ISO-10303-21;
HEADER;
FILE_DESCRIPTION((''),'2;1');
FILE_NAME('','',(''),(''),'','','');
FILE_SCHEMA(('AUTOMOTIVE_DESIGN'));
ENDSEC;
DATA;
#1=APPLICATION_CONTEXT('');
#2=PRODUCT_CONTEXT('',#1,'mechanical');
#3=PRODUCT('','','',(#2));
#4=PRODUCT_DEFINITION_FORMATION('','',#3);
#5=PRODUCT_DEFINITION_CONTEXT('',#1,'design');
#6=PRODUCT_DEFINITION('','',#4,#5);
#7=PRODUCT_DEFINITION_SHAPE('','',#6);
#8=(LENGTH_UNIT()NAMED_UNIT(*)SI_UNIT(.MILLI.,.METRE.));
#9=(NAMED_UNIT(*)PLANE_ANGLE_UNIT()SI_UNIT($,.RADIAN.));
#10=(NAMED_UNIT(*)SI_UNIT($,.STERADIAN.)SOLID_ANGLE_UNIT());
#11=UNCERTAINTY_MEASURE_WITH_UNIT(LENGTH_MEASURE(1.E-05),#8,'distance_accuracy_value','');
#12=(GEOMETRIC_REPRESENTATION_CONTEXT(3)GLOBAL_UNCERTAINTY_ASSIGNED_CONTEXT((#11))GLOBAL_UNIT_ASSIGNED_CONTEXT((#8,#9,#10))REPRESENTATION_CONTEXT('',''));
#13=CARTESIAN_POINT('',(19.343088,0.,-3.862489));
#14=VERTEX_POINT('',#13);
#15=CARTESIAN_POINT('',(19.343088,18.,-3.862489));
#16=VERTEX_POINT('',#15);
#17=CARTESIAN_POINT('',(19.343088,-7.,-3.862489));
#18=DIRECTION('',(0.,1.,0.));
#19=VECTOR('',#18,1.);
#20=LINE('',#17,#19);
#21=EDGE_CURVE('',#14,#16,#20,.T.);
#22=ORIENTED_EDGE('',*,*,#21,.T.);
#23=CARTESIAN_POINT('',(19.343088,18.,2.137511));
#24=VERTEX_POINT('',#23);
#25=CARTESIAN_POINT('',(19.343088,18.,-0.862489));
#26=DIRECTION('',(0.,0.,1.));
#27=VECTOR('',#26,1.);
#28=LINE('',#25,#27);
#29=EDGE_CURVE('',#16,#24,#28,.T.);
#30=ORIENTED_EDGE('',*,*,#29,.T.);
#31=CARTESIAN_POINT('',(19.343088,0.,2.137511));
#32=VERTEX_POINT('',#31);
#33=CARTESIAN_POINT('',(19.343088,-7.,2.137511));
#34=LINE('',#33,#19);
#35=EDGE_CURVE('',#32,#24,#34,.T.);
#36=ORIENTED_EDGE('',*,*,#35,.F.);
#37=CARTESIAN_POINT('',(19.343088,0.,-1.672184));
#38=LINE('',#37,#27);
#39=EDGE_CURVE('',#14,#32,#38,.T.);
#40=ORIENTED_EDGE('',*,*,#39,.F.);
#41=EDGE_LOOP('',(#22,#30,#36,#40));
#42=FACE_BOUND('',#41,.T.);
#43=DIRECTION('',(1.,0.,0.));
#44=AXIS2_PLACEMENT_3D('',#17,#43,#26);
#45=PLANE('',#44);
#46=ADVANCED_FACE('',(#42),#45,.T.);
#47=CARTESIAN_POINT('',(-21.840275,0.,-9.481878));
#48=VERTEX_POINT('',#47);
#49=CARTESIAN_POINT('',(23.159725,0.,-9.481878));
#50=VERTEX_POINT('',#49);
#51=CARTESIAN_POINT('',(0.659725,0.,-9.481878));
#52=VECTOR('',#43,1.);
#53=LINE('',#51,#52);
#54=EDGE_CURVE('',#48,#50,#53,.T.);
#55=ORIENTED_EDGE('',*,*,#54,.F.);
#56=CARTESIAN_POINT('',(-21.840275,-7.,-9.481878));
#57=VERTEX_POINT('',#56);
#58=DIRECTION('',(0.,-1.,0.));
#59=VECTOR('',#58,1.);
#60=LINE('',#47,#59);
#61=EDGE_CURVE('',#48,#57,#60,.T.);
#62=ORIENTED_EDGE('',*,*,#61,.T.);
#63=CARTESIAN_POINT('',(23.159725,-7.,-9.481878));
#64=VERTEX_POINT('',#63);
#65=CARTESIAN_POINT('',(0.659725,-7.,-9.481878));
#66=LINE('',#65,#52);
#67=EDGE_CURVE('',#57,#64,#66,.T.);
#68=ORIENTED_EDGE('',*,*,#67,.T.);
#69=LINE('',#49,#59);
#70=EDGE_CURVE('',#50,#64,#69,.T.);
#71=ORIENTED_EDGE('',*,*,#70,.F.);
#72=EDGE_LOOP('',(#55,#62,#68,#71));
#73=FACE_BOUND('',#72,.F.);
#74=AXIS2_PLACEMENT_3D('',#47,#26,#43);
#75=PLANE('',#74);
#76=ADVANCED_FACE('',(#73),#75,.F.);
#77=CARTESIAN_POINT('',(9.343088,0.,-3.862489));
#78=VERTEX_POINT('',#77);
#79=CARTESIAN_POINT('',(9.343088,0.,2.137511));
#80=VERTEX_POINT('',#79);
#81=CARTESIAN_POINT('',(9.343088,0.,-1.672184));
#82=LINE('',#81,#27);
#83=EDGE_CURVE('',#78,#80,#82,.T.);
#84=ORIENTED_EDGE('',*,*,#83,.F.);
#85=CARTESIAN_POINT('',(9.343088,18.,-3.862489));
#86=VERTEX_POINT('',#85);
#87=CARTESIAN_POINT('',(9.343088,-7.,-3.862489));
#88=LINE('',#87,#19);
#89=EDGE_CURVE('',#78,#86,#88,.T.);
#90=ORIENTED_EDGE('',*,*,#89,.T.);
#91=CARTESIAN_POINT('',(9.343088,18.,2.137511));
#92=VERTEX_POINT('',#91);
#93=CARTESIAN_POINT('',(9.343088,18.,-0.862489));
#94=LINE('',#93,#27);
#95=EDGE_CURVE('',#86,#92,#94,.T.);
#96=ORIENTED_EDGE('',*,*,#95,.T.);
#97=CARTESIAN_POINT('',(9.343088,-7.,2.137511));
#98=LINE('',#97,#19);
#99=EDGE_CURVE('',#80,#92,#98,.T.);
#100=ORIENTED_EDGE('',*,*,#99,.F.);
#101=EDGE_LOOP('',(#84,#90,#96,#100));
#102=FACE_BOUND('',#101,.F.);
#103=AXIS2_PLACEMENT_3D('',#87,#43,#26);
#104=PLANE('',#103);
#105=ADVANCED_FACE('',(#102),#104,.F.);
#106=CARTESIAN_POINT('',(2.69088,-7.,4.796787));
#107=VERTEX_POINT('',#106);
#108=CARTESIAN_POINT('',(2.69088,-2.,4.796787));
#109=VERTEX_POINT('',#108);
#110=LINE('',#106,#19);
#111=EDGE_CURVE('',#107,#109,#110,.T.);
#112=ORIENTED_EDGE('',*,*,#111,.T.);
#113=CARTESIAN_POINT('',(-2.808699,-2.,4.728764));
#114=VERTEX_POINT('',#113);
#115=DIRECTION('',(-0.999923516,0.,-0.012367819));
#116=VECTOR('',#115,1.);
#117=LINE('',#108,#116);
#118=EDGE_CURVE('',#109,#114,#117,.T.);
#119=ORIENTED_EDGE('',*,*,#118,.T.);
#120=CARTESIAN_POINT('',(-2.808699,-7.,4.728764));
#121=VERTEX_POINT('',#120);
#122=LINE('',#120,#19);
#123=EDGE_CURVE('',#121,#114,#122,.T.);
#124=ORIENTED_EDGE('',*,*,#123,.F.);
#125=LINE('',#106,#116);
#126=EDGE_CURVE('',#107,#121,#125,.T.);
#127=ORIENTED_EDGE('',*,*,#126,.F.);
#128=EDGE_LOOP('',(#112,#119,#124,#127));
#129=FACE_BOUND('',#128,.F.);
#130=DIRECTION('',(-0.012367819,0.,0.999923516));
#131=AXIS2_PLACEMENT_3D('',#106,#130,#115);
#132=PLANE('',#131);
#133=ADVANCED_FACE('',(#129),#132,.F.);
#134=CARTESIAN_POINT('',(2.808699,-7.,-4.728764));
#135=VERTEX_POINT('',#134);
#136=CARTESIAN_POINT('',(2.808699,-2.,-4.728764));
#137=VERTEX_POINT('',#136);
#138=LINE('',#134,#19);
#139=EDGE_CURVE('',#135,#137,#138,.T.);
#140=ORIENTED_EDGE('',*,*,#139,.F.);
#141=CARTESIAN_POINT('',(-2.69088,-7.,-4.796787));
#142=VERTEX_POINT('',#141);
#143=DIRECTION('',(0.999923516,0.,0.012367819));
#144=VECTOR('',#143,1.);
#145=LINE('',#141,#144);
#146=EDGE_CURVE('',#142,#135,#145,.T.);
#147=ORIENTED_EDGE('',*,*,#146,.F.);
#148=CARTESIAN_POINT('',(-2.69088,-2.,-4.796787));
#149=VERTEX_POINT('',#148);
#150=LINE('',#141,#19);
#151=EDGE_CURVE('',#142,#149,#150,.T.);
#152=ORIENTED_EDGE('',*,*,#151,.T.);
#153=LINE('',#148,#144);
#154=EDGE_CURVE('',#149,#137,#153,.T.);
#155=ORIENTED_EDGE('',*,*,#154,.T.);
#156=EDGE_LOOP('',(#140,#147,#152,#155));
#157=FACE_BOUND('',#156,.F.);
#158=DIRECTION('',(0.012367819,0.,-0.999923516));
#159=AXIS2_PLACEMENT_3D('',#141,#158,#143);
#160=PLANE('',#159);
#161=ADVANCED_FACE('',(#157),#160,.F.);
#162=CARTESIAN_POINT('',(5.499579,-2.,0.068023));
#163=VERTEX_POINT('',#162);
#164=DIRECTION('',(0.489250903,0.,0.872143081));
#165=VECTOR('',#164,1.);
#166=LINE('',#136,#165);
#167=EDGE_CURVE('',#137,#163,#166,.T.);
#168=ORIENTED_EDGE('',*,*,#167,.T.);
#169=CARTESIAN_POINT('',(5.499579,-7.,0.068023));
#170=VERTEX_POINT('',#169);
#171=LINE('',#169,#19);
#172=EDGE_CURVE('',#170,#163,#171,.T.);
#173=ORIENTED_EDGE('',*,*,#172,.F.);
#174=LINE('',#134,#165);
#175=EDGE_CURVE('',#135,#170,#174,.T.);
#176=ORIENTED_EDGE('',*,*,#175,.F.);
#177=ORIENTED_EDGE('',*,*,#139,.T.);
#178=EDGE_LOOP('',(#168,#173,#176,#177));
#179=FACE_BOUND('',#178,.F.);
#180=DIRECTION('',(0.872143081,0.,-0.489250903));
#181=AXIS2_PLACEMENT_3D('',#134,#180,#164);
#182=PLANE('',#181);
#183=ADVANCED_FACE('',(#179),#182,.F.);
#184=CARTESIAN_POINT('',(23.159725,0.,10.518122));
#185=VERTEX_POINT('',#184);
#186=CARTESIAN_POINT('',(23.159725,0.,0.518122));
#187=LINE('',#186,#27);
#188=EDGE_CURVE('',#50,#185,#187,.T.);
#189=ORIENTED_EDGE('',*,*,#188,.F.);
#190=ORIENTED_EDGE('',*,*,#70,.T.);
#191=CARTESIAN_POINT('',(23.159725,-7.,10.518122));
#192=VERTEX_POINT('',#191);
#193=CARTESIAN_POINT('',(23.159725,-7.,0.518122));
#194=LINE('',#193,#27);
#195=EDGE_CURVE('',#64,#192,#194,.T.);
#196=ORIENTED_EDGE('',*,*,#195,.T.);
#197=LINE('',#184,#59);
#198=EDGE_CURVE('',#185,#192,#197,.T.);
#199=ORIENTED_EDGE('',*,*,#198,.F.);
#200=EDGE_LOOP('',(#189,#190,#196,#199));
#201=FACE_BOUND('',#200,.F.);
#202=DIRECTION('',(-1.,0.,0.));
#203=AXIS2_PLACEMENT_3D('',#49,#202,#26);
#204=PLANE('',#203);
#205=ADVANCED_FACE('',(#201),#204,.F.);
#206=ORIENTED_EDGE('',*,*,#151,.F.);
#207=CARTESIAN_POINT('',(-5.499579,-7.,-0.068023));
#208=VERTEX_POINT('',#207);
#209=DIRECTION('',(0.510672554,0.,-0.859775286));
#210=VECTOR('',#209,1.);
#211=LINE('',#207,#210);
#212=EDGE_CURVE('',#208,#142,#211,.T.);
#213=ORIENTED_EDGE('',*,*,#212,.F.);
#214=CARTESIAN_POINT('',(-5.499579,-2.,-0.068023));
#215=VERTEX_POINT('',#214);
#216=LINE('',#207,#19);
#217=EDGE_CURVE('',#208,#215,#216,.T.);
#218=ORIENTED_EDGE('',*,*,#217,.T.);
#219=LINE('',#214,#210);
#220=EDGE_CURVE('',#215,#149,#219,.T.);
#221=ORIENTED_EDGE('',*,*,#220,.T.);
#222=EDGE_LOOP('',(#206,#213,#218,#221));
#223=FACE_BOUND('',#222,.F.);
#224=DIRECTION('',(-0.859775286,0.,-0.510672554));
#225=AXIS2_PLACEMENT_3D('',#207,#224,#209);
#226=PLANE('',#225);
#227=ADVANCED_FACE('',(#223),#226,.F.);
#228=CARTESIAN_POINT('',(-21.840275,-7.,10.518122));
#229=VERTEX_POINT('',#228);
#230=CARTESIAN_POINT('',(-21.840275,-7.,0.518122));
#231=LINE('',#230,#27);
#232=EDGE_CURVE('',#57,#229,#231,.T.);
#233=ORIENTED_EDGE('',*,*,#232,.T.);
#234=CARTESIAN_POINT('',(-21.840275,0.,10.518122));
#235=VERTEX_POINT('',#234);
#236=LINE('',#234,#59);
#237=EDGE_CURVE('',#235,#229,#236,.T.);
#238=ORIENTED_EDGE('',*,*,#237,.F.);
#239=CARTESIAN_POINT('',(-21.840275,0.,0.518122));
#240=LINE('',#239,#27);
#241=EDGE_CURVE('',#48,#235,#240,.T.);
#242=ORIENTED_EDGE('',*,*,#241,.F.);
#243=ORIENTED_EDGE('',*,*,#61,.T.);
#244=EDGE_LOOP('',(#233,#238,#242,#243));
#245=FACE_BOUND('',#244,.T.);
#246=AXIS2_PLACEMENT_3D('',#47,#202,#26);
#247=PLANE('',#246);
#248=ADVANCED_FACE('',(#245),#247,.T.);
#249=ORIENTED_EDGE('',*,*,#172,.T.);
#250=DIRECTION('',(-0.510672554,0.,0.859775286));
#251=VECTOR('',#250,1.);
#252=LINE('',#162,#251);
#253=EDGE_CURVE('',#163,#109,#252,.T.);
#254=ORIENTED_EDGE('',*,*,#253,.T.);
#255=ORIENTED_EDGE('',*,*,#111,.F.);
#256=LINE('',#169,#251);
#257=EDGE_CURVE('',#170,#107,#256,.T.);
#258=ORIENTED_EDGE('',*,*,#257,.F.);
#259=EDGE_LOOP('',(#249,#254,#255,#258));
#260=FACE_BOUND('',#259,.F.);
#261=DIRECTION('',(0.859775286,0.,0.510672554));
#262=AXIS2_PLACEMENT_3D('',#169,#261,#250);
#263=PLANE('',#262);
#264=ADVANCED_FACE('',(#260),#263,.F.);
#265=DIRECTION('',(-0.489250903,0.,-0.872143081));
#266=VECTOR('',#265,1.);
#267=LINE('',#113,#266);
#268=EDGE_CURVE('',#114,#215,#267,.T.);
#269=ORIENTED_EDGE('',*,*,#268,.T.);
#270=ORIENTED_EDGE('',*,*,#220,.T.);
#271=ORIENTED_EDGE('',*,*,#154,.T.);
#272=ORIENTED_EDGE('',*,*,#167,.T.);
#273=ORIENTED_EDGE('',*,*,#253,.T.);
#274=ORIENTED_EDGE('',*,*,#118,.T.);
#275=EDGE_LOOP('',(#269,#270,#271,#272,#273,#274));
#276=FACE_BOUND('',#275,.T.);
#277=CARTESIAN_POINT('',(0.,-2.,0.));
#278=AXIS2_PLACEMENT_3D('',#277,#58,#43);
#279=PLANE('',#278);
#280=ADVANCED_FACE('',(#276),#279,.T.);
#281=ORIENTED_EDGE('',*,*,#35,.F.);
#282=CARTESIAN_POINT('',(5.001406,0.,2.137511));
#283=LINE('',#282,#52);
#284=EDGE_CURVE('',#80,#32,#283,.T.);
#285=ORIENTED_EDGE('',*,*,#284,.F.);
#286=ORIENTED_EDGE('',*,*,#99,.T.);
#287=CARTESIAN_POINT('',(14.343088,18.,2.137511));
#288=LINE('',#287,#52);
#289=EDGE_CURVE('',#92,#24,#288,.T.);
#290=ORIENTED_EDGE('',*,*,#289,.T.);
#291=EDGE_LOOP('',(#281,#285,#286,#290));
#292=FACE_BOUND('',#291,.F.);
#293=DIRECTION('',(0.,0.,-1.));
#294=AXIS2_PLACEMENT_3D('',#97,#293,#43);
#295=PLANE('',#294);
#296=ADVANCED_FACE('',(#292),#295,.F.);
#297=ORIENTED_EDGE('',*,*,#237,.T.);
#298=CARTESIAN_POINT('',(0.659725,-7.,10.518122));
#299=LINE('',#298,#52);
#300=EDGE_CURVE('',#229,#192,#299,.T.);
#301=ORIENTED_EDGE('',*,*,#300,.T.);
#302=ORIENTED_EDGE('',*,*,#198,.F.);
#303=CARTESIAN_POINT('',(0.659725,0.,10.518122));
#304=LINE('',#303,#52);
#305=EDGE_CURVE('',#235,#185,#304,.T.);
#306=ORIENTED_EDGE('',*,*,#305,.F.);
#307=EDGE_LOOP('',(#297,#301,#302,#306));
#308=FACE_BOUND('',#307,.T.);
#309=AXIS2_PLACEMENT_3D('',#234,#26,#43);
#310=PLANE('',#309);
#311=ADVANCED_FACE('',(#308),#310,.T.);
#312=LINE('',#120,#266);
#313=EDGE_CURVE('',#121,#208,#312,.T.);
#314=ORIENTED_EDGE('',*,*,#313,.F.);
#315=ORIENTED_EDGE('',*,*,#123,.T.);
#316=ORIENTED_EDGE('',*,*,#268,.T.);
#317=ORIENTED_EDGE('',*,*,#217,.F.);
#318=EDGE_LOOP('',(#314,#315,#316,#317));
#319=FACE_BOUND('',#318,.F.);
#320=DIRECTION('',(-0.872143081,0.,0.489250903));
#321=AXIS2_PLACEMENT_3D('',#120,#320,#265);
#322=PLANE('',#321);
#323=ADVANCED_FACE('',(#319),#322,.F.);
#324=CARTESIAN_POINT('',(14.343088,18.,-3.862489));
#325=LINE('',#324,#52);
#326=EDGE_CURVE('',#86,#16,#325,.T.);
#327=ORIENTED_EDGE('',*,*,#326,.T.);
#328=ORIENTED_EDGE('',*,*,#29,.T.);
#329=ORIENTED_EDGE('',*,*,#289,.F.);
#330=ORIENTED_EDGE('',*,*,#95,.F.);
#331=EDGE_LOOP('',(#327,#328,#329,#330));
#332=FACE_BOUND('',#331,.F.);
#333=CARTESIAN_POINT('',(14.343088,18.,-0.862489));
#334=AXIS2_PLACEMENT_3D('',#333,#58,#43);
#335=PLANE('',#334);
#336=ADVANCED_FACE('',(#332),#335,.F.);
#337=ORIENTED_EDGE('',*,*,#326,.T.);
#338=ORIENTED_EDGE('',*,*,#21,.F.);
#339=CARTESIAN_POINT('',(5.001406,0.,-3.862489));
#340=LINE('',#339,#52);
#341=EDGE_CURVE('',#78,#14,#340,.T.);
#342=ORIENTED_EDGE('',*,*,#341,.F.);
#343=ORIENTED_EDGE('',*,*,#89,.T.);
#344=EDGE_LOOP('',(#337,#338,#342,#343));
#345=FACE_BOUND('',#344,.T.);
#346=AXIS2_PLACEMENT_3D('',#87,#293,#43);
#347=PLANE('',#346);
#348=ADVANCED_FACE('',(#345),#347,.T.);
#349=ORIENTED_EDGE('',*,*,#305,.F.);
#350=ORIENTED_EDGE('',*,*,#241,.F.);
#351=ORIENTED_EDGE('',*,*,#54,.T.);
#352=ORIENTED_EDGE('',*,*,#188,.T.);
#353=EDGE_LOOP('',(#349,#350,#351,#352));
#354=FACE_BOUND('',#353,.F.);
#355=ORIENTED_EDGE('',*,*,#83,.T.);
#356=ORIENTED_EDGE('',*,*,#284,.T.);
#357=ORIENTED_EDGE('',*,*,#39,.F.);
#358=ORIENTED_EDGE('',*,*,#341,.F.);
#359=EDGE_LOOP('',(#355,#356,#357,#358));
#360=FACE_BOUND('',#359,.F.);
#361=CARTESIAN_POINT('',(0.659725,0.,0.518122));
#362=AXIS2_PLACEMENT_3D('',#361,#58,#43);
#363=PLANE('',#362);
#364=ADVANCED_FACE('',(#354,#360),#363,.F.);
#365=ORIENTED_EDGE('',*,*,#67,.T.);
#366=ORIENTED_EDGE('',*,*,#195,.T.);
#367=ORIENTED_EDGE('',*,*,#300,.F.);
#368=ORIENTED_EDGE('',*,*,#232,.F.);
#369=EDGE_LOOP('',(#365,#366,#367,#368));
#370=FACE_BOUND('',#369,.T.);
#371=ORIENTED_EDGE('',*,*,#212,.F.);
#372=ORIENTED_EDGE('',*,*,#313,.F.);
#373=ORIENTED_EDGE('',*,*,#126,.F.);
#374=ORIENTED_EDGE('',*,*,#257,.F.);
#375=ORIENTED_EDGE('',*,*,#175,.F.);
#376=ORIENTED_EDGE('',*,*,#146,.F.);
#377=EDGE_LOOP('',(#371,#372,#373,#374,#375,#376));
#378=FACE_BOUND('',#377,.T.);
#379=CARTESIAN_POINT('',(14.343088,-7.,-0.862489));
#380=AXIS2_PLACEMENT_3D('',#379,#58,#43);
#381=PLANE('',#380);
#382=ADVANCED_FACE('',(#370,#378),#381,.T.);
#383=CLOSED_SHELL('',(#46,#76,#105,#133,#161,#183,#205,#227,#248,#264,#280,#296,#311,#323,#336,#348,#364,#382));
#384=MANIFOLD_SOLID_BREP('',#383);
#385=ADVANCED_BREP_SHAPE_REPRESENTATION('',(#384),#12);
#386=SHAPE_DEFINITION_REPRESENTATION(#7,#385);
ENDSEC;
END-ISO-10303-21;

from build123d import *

# Parameters (mm, degrees)
F0_W     = 45
F0_H     = 20
F1_DEPTH = 7
F3_DEPTH = 5
F4_W     = 10
F4_H     = 6
F5_DEPTH = 25


with BuildPart() as f1:
    # F0 (on Front) → F1 (new body)
    with BuildSketch(Plane.XZ):
        with Locations((0.659725, 0.518122)):
            Rectangle(F0_W, F0_H)
    extrude(amount=F1_DEPTH)

    # F2 (on face) → F3 (cut)
    with BuildSketch(Plane.XZ.offset(7)):
        Polygon((-2.808699, 4.728764), (-5.499579, -0.068023), (-2.69088, -4.796787), (2.808699, -4.728764), (5.499579, 0.068023), (2.69088, 4.796787), align=None)
    extrude(amount=-F3_DEPTH, mode=Mode.SUBTRACT)

    # F4 (on face) → F5 (join)
    with BuildSketch(Plane.XZ.offset(7)):
        with Locations((14.343088, -0.862489)):
            Rectangle(F4_W, F4_H)
    extrude(amount=-F5_DEPTH)


solid = f1.part
